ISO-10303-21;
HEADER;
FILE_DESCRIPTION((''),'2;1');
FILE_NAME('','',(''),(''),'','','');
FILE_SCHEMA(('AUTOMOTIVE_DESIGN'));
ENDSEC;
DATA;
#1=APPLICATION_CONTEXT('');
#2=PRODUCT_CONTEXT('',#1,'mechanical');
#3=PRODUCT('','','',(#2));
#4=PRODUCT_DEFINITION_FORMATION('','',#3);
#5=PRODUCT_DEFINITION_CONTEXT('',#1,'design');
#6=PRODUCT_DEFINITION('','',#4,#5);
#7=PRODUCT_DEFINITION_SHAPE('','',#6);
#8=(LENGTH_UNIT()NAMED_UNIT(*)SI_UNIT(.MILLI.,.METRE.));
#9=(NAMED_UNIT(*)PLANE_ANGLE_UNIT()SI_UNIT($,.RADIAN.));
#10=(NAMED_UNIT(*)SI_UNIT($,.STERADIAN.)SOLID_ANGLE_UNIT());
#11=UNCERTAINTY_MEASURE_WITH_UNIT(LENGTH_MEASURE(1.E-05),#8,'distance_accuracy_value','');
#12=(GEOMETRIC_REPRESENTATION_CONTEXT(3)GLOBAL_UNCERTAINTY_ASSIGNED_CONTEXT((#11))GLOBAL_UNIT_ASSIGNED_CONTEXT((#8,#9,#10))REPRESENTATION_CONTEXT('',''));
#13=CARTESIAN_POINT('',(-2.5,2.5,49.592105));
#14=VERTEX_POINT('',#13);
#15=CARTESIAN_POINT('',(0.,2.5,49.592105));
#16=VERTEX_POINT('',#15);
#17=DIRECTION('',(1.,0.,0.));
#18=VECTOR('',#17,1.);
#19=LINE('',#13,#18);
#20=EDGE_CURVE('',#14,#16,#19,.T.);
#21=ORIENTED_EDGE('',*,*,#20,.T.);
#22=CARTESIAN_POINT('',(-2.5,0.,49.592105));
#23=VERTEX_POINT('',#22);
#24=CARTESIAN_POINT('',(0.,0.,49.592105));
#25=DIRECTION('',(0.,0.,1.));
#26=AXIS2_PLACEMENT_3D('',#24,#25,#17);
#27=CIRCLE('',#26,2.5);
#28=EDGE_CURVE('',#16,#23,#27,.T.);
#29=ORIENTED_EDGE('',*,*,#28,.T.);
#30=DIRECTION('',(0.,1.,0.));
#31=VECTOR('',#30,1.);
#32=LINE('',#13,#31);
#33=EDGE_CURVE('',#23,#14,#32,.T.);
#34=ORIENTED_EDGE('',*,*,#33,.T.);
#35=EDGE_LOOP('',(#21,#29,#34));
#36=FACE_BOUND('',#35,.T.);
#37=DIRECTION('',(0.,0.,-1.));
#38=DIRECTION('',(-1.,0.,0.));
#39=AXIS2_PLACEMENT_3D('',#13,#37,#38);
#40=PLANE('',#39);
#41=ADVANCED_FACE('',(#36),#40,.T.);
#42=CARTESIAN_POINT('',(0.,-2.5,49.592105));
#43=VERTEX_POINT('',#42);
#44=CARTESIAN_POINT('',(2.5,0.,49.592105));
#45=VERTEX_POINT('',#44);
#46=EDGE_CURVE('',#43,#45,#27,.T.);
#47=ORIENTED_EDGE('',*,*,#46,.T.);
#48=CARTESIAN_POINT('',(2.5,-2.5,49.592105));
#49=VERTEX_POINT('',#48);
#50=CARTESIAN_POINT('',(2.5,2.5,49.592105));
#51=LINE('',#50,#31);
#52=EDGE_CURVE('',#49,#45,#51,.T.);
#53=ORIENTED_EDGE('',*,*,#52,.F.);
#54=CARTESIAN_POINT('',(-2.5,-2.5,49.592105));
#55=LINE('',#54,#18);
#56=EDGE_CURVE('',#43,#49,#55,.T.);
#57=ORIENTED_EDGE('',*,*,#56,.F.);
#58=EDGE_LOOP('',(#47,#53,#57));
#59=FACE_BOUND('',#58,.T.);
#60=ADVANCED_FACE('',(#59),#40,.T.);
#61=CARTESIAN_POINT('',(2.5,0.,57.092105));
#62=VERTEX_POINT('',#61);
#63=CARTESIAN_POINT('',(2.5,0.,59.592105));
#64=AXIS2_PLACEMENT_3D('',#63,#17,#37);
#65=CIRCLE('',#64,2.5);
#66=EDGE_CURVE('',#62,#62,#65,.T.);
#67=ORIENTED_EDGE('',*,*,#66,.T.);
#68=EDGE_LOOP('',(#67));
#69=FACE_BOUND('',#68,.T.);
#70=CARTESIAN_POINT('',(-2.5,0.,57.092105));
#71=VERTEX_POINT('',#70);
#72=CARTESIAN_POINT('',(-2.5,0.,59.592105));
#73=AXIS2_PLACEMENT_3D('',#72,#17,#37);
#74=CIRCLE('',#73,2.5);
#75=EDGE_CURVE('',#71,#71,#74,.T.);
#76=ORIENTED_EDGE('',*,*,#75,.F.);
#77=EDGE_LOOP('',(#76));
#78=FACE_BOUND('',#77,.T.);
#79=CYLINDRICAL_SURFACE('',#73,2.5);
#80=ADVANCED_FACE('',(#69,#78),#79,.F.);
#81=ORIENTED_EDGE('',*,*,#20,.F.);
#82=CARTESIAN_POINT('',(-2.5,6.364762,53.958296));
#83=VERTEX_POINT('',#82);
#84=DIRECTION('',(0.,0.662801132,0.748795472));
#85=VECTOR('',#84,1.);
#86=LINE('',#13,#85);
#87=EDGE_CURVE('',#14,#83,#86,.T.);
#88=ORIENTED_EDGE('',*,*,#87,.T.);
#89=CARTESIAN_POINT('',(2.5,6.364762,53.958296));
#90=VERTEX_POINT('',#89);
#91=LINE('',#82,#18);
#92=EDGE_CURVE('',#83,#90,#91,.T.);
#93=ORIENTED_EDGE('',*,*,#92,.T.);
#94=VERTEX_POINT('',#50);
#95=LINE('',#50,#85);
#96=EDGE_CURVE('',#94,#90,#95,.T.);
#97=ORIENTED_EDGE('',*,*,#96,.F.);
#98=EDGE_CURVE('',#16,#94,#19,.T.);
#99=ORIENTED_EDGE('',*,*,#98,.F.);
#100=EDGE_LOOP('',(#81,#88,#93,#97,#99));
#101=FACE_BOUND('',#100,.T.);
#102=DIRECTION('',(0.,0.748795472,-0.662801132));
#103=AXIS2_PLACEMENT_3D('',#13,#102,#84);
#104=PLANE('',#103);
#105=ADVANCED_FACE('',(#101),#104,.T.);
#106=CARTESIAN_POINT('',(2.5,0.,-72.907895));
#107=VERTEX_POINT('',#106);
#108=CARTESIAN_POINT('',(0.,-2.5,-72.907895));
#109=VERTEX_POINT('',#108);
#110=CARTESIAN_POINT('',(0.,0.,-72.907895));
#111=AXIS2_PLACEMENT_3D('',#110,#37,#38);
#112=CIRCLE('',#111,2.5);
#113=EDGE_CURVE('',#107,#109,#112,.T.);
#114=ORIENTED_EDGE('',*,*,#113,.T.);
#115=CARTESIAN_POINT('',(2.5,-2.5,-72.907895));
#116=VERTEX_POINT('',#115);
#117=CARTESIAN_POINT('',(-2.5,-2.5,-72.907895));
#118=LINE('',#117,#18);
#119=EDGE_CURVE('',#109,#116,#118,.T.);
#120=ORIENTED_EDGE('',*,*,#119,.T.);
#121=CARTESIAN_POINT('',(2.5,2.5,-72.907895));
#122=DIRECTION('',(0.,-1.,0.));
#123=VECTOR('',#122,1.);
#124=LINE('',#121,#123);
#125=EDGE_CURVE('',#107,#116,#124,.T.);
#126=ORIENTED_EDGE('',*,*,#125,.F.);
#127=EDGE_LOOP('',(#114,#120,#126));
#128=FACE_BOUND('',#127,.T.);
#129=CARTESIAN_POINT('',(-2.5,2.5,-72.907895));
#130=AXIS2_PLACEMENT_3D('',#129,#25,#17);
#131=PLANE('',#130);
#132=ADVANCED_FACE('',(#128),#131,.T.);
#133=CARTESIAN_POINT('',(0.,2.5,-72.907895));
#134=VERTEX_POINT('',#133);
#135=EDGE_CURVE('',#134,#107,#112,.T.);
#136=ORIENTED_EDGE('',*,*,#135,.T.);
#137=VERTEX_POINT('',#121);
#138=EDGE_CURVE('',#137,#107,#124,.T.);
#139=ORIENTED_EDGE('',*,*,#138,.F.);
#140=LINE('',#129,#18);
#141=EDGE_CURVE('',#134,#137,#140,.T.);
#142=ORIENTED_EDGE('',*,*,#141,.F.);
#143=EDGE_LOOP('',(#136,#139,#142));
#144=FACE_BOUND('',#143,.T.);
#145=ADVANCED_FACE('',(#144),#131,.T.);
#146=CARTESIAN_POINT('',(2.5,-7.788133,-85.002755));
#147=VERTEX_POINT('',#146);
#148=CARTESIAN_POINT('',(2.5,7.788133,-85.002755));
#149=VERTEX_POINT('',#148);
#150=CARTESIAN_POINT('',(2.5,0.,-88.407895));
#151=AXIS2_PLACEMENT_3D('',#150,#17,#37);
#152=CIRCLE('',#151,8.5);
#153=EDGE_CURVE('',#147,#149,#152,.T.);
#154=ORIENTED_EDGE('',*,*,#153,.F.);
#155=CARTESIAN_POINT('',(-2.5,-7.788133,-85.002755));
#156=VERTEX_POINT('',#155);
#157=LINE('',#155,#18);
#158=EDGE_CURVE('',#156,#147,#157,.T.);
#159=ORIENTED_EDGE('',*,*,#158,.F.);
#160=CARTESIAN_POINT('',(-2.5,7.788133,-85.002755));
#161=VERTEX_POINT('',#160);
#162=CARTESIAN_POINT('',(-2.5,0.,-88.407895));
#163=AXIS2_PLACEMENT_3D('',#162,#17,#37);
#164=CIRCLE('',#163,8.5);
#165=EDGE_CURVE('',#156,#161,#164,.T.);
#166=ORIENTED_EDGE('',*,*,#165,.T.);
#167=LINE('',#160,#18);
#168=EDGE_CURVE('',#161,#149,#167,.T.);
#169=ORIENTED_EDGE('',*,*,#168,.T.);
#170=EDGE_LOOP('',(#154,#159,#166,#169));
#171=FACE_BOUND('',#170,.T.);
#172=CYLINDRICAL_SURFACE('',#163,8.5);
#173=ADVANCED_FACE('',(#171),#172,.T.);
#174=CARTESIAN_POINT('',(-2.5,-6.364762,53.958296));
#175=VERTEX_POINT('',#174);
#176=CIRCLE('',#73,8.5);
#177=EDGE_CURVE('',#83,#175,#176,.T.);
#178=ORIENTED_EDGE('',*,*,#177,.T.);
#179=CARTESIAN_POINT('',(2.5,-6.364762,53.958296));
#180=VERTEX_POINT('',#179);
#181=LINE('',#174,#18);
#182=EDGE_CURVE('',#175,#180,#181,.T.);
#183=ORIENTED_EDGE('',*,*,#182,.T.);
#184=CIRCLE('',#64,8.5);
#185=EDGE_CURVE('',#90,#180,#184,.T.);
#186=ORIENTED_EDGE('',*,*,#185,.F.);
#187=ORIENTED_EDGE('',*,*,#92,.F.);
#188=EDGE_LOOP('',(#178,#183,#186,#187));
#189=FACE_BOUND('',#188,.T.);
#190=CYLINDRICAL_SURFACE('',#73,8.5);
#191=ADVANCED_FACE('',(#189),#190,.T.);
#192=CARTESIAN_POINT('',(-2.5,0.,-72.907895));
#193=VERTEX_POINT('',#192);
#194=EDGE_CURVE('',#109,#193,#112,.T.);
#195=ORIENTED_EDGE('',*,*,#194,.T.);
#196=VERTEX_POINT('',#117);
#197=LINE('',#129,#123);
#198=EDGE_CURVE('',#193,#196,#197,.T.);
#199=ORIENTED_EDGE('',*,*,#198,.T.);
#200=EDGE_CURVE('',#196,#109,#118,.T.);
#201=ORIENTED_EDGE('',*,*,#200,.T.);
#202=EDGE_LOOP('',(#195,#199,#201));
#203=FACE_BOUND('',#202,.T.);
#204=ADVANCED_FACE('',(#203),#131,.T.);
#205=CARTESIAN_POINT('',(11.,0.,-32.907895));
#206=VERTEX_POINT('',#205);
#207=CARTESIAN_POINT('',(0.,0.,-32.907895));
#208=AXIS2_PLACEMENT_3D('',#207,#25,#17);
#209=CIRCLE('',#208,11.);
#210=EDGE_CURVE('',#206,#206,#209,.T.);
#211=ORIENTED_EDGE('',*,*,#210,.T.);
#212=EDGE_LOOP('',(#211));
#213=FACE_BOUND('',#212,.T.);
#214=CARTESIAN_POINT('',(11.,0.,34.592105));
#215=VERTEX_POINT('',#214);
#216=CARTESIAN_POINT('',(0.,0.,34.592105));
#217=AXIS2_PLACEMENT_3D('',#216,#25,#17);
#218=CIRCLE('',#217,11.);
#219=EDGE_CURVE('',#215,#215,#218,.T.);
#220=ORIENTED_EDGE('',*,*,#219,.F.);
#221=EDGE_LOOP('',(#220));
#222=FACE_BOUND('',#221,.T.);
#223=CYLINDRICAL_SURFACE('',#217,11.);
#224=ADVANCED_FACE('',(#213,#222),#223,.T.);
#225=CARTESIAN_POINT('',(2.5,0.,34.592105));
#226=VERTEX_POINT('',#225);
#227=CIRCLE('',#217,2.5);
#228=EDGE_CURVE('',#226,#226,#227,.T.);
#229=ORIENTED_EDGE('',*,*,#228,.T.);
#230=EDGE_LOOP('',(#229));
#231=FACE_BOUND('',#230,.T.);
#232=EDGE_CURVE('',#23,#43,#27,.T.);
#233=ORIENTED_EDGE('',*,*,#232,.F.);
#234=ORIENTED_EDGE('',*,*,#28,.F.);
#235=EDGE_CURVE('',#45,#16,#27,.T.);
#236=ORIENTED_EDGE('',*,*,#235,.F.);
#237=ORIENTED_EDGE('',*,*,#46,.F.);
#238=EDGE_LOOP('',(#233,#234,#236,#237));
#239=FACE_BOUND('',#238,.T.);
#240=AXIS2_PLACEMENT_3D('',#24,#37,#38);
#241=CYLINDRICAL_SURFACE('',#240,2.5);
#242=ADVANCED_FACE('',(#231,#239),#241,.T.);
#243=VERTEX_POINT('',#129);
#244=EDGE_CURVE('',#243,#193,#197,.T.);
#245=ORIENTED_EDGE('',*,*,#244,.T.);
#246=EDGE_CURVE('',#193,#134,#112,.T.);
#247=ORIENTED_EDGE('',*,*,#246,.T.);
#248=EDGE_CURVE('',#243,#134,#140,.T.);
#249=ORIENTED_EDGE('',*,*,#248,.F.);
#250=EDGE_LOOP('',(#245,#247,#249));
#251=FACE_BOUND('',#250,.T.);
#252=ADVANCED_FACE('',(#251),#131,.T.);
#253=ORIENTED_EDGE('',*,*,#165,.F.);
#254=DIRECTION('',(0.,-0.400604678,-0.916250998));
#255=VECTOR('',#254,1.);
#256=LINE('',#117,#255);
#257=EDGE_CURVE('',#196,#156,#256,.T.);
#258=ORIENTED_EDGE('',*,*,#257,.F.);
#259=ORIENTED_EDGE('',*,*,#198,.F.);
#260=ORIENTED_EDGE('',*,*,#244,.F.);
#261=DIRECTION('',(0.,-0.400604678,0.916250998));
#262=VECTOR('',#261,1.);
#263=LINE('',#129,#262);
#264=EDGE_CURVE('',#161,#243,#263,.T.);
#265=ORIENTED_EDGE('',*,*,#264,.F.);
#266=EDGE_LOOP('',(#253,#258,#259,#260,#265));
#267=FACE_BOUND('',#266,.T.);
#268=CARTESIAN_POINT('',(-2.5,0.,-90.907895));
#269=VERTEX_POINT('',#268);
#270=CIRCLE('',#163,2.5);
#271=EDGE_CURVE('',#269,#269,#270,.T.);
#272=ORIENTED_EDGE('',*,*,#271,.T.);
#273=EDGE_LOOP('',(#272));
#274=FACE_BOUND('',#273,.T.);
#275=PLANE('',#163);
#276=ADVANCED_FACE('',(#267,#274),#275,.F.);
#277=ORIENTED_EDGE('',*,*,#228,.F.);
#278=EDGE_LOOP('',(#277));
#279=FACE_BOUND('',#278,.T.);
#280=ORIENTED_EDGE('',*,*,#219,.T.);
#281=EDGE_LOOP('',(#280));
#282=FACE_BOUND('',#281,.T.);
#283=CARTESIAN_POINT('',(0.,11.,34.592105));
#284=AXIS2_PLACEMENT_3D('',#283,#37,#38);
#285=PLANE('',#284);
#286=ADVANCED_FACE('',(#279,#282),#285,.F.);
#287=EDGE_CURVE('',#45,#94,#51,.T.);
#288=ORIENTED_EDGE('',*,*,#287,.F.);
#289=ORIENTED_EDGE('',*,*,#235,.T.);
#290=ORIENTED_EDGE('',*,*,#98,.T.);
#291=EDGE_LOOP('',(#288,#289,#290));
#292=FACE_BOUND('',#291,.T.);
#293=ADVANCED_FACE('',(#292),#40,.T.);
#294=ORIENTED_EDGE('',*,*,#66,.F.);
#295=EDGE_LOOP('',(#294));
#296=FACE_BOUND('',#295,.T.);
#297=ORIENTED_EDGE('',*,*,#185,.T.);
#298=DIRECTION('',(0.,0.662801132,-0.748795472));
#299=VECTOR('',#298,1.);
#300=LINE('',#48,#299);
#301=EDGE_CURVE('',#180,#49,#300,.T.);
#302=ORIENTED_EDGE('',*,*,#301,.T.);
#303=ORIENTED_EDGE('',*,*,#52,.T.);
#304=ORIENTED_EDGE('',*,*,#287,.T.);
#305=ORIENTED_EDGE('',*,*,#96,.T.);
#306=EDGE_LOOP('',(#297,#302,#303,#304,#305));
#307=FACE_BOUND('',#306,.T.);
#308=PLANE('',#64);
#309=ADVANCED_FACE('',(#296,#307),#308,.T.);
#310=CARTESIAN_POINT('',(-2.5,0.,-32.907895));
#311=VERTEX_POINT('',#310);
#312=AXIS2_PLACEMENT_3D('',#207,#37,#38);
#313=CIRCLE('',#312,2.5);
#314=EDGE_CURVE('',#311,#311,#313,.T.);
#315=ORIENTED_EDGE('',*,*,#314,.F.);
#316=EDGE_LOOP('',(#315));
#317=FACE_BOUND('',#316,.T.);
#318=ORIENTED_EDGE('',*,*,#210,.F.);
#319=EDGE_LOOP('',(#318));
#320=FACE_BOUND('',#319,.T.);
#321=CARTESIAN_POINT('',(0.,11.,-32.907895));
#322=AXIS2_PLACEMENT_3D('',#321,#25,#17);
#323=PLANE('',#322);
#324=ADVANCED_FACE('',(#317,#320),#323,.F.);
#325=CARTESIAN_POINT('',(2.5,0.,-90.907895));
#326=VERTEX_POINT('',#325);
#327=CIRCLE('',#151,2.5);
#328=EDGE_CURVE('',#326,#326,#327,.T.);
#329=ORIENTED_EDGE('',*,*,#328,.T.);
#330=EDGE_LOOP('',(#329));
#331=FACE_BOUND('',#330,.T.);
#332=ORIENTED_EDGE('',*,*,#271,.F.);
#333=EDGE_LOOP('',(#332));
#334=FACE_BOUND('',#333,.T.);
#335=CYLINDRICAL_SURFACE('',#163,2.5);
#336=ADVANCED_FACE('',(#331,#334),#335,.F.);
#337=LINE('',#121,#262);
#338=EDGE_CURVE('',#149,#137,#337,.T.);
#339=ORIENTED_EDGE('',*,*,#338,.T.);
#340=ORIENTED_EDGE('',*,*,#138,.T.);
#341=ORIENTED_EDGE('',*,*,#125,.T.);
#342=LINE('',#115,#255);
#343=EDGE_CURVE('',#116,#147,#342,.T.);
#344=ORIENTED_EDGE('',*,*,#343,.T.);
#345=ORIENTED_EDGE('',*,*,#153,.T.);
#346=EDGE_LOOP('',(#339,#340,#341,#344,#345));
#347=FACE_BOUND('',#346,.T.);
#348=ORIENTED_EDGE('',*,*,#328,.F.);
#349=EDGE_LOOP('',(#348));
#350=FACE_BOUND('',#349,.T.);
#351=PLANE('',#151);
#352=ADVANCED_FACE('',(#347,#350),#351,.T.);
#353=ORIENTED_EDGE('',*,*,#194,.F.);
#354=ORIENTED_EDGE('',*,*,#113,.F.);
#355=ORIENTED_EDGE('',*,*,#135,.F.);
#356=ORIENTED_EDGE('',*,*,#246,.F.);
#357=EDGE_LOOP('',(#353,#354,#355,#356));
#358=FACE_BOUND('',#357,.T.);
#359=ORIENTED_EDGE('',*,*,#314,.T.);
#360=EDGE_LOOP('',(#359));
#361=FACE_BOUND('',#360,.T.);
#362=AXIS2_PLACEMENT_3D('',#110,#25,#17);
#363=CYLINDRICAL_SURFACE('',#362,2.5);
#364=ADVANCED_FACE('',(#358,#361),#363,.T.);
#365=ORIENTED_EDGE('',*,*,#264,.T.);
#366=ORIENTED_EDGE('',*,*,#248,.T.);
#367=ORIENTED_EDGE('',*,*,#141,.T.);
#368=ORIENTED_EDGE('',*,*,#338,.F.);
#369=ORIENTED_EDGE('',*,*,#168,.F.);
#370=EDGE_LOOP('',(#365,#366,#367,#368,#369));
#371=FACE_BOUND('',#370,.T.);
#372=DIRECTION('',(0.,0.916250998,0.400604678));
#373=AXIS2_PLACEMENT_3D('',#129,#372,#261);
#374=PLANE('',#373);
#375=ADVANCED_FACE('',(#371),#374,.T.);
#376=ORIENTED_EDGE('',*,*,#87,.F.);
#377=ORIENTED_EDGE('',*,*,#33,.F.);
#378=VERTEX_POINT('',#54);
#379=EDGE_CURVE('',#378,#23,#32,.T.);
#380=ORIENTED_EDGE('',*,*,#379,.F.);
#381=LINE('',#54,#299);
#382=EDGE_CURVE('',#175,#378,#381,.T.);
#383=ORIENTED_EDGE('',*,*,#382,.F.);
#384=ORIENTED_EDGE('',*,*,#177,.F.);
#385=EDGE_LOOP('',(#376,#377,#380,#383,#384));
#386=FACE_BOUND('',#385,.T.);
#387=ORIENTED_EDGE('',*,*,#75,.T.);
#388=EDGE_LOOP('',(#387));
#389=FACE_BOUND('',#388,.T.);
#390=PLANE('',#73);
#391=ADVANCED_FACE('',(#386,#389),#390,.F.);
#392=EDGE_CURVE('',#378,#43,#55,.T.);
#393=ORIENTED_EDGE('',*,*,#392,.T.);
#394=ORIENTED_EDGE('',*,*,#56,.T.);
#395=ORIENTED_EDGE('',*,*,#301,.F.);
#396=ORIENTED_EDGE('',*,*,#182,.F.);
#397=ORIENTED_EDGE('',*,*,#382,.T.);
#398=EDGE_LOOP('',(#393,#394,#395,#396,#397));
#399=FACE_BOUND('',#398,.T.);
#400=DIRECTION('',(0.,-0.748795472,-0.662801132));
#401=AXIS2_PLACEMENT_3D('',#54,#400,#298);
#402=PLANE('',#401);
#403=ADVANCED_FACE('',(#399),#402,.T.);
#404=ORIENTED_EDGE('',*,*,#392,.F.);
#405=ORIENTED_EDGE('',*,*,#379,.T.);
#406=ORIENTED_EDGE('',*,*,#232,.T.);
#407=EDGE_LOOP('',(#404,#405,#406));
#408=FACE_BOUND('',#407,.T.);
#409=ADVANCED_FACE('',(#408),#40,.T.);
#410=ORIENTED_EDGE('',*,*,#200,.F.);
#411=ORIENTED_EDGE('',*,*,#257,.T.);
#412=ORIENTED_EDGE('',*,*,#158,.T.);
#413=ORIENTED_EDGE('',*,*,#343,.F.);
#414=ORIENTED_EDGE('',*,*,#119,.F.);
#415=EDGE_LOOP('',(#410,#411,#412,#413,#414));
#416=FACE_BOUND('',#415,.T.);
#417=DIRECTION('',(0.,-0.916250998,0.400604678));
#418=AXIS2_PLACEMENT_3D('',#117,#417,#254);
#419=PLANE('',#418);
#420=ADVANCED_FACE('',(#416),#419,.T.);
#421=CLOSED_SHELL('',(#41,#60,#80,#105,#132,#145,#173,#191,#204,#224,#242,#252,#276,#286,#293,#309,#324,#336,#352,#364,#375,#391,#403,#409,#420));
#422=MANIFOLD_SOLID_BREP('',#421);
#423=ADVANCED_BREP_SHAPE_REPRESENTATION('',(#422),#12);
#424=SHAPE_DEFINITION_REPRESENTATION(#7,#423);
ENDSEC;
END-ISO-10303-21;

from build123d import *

# Parameters (mm, degrees)
SKETCH1_W                = 67.5
SKETCH1_H                = 11
SKETCH2_R                = 2.5
BOSS_EXTRUDE1_DEPTH      = 15
BOSS_EXTRUDE2_DEPTH      = 2.5
BOSS_EXTRUDE2_DEPTH_BACK = 2.5
SKETCH3_R                = 2.5
BOSS_EXTRUDE3_START      = 40
SKETCH4_R                = 2.5
BOSS_EXTRUDE3_DEPTH      = 40
BOSS_EXTRUDE4_DEPTH      = 2.5
BOSS_EXTRUDE4_DEPTH_BACK = 2.5
SKETCH5_R                = 2.5


with BuildPart() as part:
    # Sketch1 → Revolve1 (revolve)
    with BuildSketch(Plane(origin=(0, 0, 0), x_dir=(0, 0, -1), z_dir=(1, 0, 0)), mode=Mode.PRIVATE) as revolve1_sk:
        with Locations((-0.842105263, 5.5)):
            Rectangle(SKETCH1_W, SKETCH1_H)
    revolve(revolve1_sk.sketch.rotate(Axis((0, 0, 34.592105263), (0, 0, -1)), 90), axis=Axis((0, 0, 34.592105263), (0, 0, -1)))

    # Sketch2 → Boss-Extrude1 (add)
    with BuildSketch(Plane.XY.offset(34.592105263)):
        Circle(SKETCH2_R)
    extrude(amount=BOSS_EXTRUDE1_DEPTH)

    # Sketch3 → Boss-Extrude2 (add, two sides: drawn at the far end of the back side and taken through both)
    with BuildSketch(Plane(origin=(0, 0, 0), x_dir=(0, 0, -1), z_dir=(1, 0, 0)).offset(-BOSS_EXTRUDE2_DEPTH_BACK)):
        with BuildLine():
            Line((-49.592105263, 2.5), (-53.958295642, 6.364761516))
            ThreePointArc((-53.958295642, 6.364761516), (-68.092105263, 0), (-53.958295642, -6.364761516))
            Line((-53.958295642, -6.364761516), (-49.592105263, -2.5))
            Line((-49.592105263, -2.5), (-49.592105263, 2.5))
        make_face()
        with Locations((-59.592105263, 0)):
            Circle(SKETCH3_R, mode=Mode.SUBTRACT)
    extrude(amount=BOSS_EXTRUDE2_DEPTH + BOSS_EXTRUDE2_DEPTH_BACK)

    # Sketch4 → Boss-Extrude3 (add)
    with BuildSketch(Plane(origin=(0, 0, -32.907894737), x_dir=(-1, 0, 0), z_dir=(0, 0, -1)).offset(BOSS_EXTRUDE3_START)):
        with Locations(Location((0, 0, 0), (0, 0, 180))):
            Circle(SKETCH4_R)
    extrude(amount=-BOSS_EXTRUDE3_DEPTH)

    # Sketch5 → Boss-Extrude4 (add, two sides: drawn at the far end of the back side and taken through both)
    with BuildSketch(Plane(origin=(0, 0, 0), x_dir=(0, 0, -1), z_dir=(1, 0, 0)).offset(-BOSS_EXTRUDE4_DEPTH_BACK)):
        with BuildLine():
            Line((72.907894737, 2.5), (85.002754977, 7.788133487))
            ThreePointArc((85.002754977, 7.788133487), (96.907894737, 0), (85.002754977, -7.788133487))
            Line((85.002754977, -7.788133487), (72.907894737, -2.5))
            Line((72.907894737, -2.5), (72.907894737, 2.5))
        make_face()
        with Locations((88.407894737, 0)):
            Circle(SKETCH5_R, mode=Mode.SUBTRACT)
    extrude(amount=BOSS_EXTRUDE4_DEPTH + BOSS_EXTRUDE4_DEPTH_BACK)


solid = part.part
